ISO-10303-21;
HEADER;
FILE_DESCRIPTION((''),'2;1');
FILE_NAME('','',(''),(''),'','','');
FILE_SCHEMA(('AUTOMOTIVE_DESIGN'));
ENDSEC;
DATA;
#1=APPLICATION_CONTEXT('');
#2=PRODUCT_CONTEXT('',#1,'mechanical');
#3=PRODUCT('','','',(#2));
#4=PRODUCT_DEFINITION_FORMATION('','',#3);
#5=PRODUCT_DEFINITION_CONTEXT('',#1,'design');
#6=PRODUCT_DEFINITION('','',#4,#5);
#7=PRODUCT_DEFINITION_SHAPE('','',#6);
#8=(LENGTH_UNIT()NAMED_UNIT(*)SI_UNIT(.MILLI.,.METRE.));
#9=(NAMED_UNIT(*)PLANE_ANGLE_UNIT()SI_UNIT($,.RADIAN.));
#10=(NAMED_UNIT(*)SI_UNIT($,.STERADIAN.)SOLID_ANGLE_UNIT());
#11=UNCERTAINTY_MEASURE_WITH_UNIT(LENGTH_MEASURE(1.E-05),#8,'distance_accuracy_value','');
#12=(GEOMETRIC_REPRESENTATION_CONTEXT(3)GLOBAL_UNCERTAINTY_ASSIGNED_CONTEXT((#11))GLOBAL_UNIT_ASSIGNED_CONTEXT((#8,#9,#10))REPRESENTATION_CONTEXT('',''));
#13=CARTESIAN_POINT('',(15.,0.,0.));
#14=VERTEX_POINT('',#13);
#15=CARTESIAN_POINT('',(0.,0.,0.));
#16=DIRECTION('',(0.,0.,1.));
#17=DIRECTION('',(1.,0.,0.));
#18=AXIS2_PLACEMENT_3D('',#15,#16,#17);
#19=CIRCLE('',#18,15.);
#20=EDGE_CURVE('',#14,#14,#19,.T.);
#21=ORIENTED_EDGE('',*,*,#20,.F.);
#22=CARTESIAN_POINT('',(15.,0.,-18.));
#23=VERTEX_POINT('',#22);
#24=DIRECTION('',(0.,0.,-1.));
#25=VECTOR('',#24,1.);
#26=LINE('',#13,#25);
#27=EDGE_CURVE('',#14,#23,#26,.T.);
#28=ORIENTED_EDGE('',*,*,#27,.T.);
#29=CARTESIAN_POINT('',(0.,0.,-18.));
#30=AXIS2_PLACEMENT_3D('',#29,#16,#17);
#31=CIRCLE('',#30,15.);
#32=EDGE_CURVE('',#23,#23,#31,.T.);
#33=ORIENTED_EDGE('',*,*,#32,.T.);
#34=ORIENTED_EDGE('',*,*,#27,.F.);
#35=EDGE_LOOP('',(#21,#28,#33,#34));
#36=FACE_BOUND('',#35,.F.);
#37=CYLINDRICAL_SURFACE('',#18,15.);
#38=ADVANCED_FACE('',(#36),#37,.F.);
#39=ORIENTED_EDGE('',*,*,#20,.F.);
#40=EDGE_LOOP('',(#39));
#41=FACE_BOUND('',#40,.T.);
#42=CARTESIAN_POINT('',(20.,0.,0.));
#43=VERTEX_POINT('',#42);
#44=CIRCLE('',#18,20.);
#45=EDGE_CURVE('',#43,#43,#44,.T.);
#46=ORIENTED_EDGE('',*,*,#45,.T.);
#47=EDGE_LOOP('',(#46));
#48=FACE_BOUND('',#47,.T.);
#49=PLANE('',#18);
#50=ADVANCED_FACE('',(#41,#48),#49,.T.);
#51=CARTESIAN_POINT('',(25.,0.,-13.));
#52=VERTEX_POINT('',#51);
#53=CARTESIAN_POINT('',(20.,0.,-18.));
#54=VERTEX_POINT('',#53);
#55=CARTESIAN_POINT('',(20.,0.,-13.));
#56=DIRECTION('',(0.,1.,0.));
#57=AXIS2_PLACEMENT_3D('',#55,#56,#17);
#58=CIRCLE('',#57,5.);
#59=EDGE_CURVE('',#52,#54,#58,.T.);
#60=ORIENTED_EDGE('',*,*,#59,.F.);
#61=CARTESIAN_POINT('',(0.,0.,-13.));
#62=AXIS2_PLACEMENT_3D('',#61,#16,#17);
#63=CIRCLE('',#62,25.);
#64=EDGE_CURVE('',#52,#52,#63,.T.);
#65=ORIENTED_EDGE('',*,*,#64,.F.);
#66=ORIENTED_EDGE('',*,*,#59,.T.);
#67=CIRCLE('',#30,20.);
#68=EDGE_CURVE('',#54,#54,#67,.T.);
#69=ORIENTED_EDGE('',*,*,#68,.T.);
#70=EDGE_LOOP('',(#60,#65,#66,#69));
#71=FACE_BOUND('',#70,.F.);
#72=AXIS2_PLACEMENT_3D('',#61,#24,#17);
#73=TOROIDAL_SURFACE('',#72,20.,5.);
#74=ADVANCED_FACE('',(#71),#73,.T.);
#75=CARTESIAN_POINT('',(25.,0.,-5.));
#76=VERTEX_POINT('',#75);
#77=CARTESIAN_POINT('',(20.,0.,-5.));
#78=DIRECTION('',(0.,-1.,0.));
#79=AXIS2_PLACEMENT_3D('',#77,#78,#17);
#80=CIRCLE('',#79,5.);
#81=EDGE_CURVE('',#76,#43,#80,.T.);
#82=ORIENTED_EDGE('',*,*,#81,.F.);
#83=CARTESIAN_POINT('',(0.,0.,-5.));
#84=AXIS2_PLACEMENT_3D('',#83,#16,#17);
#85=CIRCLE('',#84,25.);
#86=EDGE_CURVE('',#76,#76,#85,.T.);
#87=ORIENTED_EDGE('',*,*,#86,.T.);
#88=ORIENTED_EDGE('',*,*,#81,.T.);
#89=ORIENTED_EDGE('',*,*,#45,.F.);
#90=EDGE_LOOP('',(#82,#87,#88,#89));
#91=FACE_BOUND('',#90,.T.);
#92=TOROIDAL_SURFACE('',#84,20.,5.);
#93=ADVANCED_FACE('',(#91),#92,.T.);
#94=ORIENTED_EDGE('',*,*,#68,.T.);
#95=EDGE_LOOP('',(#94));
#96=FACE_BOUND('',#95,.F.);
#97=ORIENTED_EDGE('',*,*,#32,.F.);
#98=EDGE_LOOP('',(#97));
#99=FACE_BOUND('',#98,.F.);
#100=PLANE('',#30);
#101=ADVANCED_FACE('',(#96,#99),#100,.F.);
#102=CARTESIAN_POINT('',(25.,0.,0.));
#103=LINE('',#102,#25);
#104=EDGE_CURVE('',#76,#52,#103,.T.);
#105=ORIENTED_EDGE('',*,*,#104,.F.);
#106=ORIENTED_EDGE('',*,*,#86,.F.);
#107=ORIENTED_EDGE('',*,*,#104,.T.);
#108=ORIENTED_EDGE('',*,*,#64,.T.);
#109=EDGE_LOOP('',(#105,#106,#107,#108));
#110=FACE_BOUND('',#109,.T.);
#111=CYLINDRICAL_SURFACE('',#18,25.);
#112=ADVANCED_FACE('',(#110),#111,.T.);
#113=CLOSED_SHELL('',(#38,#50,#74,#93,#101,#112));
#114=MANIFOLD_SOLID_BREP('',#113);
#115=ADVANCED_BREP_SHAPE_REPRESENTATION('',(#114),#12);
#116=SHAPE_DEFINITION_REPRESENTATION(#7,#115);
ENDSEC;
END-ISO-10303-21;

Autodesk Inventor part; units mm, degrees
ref_plane "YZ Plane" through (0, 0, 0) normal (1, 0, 0) x (0, 1, 0)
ref_plane "XZ Plane" through (0, 0, 0) normal (0, 1, 0) x (-1, 0, 0)
ref_plane "XY Plane" through (0, 0, 0) normal (0, 0, 1) x (1, 0, 0)
sketch "草图1" plane through (0, 0, 0) normal (0, 0, 1) x (1, 0, 0)
  circle A0 centre (0, 0) radius 15
  circle A1 centre (0, 0) radius 25
  dimension "d0" = 30
  dimension "d1" = 50
extrude "拉伸1" add sketch "草图1" against normal blind 18
fillet "圆角1" radius 5 2 edges at (-25, 0, 0) (-25, 0, -18)
properties part number "托带轮"
